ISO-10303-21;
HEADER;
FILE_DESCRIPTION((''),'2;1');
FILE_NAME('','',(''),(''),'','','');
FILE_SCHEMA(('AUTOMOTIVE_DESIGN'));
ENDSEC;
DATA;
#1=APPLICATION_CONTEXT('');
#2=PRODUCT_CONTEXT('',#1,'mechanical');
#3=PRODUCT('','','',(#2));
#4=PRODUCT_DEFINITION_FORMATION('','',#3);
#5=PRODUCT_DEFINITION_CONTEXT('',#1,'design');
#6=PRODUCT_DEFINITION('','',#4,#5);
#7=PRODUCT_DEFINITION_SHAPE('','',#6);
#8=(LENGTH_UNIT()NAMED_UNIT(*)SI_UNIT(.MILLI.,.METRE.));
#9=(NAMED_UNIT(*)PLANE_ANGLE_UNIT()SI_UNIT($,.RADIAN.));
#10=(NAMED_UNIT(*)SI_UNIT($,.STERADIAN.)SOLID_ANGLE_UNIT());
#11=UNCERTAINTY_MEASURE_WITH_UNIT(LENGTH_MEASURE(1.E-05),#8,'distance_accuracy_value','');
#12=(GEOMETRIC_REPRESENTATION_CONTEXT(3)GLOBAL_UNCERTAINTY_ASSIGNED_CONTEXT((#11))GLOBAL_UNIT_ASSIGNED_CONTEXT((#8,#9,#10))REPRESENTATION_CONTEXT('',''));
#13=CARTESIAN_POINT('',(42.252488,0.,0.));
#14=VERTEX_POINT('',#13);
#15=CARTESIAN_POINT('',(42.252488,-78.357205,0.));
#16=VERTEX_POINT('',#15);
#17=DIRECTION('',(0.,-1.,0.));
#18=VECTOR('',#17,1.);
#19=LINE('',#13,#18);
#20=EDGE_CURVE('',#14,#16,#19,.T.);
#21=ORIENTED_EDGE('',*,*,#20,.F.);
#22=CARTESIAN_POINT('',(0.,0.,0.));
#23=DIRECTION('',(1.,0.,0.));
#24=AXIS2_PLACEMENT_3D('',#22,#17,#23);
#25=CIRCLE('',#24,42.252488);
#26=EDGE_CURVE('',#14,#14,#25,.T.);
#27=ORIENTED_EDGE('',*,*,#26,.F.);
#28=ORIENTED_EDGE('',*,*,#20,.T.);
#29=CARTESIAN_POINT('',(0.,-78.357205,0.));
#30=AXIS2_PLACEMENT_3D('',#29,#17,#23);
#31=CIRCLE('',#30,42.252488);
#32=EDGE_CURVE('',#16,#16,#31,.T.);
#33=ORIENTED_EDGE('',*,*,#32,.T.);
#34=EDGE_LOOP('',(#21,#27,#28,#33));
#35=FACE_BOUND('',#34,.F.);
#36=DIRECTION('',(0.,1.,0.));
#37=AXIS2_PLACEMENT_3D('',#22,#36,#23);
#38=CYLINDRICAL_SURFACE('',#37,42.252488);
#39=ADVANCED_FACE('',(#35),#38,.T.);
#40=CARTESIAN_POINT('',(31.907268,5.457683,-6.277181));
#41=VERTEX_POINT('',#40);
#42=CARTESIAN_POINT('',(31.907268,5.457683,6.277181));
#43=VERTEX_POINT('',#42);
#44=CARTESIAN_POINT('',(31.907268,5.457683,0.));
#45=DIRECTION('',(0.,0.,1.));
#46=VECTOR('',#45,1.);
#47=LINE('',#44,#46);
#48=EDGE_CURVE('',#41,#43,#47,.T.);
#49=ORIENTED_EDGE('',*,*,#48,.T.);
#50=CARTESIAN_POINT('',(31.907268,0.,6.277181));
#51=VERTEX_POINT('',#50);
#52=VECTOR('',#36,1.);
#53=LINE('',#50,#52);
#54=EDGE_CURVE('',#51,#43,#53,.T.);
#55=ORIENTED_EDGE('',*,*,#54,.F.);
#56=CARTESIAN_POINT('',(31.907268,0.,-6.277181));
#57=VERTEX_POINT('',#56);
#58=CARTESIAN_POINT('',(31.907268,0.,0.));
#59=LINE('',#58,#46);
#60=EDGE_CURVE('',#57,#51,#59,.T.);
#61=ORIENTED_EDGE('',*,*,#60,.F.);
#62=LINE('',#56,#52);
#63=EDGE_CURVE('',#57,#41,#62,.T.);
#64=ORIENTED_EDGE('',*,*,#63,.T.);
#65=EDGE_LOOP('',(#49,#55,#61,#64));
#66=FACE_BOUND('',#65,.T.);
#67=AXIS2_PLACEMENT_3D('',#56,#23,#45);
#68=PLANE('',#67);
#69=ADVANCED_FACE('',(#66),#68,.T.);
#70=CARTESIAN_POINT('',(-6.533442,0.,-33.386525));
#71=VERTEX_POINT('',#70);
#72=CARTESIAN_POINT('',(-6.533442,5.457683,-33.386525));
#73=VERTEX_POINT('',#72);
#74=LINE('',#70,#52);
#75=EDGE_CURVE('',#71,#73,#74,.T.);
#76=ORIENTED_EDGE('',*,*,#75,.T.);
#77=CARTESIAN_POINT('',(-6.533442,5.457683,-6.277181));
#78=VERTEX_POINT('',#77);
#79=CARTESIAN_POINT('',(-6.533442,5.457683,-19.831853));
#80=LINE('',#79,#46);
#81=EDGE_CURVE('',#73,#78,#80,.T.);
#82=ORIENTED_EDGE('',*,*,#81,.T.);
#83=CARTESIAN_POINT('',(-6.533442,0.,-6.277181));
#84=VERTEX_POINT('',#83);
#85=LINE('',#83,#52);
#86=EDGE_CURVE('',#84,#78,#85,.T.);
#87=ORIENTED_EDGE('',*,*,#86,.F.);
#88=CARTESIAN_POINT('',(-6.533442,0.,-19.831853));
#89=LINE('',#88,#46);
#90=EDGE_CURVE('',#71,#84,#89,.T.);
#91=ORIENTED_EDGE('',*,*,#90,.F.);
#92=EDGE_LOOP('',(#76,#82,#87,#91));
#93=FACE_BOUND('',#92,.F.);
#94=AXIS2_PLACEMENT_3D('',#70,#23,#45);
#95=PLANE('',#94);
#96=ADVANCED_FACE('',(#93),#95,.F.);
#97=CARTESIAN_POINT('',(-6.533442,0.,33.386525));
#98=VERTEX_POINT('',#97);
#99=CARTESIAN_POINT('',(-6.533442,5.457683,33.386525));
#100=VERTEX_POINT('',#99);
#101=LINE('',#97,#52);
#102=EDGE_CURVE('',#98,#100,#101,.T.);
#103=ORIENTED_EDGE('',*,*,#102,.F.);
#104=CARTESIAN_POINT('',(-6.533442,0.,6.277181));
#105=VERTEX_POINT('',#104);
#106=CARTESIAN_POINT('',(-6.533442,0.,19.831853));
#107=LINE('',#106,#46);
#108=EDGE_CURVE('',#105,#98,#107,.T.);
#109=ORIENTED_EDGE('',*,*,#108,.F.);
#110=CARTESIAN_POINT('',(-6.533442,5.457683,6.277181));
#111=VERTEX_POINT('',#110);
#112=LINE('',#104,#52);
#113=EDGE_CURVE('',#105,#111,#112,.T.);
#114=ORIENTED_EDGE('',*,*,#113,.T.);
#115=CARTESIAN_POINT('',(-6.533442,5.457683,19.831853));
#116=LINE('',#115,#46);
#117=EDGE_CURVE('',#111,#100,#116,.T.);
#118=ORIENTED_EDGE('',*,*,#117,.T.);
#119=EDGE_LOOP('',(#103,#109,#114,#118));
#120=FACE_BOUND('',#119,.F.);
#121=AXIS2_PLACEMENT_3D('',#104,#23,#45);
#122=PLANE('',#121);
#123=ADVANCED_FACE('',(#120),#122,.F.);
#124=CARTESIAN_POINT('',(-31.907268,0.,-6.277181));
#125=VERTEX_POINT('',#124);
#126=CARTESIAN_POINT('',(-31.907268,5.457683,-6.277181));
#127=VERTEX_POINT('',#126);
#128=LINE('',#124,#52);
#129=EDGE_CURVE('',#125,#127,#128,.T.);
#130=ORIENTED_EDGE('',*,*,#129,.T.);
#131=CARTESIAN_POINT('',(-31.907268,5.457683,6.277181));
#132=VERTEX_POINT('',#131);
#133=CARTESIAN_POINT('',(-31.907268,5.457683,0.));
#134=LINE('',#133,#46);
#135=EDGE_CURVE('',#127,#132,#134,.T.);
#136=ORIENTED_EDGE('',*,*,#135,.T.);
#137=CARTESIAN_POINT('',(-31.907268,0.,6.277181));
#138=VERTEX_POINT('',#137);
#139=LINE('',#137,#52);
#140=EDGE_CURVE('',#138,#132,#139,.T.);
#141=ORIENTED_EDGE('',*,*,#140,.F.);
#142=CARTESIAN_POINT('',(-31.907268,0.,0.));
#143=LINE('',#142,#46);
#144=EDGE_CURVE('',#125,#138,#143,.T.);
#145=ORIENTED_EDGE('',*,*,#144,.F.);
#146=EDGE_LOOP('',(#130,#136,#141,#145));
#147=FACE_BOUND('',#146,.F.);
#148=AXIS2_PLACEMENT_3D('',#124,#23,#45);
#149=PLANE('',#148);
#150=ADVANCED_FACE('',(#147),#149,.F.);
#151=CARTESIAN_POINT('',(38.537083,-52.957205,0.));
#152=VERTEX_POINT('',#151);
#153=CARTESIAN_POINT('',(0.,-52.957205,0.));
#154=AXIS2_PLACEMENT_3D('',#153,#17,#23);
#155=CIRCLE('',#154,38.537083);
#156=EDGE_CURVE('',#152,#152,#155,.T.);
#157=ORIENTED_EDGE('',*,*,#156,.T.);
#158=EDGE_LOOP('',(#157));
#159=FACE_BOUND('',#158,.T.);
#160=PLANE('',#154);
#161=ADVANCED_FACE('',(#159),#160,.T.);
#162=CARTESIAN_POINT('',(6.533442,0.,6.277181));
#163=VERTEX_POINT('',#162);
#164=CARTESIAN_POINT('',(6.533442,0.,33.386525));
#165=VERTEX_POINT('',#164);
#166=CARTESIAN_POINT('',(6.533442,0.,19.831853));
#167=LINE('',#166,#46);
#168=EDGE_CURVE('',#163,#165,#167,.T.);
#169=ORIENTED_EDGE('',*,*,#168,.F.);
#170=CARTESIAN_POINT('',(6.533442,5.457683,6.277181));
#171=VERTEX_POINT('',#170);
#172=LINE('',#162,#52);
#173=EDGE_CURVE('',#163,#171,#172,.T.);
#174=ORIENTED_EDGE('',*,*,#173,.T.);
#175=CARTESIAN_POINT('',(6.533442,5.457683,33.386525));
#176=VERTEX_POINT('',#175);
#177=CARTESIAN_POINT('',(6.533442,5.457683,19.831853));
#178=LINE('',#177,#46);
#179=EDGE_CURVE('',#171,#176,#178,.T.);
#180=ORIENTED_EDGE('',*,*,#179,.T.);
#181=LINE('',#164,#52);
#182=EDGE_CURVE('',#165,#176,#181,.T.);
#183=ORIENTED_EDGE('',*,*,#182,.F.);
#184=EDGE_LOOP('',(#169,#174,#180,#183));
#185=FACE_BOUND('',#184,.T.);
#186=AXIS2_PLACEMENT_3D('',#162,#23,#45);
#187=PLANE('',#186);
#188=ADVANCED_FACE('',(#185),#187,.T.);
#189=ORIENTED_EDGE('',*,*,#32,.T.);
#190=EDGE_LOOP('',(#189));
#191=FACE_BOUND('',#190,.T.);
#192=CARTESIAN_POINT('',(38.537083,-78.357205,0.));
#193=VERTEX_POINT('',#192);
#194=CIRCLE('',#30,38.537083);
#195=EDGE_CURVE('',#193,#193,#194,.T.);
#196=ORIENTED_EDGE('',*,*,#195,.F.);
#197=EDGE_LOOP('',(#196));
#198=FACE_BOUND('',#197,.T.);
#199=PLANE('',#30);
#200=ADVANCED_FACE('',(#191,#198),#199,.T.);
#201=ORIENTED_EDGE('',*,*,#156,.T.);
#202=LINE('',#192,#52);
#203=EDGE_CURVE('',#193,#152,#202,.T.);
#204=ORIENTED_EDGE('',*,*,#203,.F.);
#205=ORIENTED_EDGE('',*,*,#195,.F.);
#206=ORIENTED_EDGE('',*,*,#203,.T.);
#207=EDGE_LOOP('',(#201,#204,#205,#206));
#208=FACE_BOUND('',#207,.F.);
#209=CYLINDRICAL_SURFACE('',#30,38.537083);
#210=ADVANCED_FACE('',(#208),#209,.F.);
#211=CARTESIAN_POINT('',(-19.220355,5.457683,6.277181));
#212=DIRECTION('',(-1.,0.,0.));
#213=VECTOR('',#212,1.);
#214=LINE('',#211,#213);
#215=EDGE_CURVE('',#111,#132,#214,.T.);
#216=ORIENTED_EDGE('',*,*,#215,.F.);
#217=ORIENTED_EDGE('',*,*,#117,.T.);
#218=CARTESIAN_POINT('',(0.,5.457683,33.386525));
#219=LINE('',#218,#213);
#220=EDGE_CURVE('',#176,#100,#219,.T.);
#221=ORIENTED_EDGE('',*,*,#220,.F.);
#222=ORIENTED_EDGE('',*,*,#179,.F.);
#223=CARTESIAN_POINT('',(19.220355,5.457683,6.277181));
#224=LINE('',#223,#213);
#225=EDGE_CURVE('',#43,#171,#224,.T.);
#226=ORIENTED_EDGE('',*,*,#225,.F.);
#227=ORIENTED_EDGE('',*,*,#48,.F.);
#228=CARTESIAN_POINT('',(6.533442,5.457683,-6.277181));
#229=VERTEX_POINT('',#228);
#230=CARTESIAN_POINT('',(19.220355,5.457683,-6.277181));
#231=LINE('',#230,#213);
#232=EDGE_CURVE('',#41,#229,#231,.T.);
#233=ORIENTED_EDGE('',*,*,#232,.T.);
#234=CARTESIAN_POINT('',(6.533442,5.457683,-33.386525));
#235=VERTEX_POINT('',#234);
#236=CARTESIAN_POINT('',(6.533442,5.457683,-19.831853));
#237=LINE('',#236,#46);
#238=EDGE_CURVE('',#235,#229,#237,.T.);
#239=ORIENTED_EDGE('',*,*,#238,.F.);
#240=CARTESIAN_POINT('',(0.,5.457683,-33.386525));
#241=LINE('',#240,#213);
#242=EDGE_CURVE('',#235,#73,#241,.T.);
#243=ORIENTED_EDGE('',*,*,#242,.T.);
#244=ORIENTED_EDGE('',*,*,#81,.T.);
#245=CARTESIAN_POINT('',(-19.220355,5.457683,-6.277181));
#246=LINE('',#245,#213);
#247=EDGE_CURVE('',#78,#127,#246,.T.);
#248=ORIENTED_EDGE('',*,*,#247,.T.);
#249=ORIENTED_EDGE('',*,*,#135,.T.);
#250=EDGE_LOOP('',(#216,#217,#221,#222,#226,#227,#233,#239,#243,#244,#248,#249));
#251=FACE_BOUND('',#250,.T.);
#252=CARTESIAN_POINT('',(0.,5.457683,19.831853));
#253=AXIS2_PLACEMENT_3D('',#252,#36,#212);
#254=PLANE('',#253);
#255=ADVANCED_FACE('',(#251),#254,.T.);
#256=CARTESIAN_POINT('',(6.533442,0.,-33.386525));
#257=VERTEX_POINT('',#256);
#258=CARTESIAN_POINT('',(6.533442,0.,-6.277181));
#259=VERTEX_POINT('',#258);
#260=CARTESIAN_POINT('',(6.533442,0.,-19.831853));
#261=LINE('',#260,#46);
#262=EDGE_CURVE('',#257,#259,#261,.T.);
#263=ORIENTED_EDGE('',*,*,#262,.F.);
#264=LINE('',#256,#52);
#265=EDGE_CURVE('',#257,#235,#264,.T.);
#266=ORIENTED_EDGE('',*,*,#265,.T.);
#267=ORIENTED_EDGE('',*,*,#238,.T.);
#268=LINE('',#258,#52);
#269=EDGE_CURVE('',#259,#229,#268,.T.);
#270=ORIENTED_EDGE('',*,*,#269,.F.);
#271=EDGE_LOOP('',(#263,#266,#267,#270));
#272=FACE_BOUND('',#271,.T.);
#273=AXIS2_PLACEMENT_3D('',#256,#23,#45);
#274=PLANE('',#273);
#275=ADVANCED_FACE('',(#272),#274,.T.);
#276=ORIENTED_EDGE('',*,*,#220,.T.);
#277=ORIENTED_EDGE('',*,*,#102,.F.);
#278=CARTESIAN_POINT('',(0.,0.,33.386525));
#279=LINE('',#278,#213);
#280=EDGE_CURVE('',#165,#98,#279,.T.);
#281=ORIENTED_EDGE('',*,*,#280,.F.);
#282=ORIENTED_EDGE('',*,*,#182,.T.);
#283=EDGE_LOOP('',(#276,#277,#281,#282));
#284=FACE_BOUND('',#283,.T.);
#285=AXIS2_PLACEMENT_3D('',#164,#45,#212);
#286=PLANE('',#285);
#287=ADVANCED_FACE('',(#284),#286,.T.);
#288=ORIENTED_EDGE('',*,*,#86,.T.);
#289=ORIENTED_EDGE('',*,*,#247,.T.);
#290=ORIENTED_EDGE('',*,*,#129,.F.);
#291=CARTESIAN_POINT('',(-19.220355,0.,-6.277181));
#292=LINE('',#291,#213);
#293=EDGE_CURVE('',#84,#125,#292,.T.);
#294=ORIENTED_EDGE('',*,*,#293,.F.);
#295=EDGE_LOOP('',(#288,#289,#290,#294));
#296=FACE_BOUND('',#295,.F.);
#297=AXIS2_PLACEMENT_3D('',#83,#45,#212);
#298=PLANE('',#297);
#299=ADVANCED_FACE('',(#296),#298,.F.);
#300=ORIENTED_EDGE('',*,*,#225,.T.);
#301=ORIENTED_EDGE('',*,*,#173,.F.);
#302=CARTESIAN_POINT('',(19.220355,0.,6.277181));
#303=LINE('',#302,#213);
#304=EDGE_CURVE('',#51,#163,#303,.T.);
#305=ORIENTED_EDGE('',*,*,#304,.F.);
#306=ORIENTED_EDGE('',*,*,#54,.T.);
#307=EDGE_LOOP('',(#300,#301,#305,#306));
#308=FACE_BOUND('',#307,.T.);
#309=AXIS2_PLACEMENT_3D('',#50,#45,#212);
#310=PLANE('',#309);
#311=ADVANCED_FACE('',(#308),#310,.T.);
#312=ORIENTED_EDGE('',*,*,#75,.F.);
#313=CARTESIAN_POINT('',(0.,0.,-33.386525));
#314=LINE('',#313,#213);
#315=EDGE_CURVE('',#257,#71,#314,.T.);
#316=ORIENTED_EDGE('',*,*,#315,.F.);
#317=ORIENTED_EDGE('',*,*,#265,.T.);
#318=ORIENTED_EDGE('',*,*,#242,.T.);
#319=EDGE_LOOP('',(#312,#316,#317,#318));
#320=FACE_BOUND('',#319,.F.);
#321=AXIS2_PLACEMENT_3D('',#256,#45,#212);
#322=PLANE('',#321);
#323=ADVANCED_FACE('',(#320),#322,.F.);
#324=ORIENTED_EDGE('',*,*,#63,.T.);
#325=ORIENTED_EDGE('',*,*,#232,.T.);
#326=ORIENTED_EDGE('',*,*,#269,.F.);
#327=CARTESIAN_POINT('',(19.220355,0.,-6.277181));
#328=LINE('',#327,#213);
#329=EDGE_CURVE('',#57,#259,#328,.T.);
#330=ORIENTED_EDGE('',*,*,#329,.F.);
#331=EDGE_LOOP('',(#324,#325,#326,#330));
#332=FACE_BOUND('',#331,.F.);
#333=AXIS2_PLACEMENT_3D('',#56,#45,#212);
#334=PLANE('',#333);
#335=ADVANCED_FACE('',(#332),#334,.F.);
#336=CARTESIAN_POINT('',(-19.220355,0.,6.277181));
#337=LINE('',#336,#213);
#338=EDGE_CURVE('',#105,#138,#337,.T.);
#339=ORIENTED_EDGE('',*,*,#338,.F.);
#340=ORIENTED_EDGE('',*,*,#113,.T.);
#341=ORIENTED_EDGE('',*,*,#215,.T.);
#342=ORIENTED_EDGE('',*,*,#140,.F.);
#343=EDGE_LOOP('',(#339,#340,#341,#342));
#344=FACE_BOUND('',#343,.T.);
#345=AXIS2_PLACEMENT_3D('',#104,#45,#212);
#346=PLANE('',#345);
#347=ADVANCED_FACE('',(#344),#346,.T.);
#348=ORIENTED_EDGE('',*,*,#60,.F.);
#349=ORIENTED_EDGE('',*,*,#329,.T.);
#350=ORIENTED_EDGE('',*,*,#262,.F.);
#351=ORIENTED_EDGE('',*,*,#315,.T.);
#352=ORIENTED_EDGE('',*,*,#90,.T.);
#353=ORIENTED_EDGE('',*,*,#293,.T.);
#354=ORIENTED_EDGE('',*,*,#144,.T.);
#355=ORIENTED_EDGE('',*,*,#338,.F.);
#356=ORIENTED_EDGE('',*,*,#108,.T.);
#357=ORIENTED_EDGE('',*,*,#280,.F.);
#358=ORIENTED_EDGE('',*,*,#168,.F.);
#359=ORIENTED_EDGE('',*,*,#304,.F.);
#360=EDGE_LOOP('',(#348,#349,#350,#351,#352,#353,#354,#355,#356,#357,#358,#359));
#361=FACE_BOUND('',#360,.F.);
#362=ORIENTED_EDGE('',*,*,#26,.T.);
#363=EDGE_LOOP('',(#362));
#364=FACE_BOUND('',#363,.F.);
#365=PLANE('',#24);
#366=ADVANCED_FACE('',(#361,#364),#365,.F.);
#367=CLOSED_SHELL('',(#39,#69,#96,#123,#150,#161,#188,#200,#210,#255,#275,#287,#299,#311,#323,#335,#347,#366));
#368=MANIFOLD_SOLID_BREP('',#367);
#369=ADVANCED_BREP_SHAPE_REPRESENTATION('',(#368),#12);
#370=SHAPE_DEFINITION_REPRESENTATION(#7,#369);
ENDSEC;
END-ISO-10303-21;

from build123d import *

# Parameters (mm, degrees)
F1_DEPTH = 78.3572047949
F2_R     = 38.5370833617
F3_DEPTH = 25.4
F5_W     = 13.0668841302
F5_H     = 27.1093435585
F5_W_2   = 25.3738258034
F5_H_2   = 12.5543624163
F6_DEPTH = 5.4576825351


with BuildPart() as f1:
    # F0 (on Front) → F1 (new body)
    with BuildSketch(Plane.XZ):
        with BuildLine():
            ThreePointArc((0, 42.2524884343), (-29.8770210939, -29.8770210939), (42.2524884343, 0))
            ThreePointArc((42.2524884343, 0), (29.8770210939, 29.8770210939), (0, 42.2524884343))
        make_face()
    extrude(amount=F1_DEPTH)

    # F2 (on face) → F3 (cut)
    with BuildSketch(Plane.XZ.offset(78.3572047949)):
        Circle(F2_R)
    extrude(amount=-F3_DEPTH, mode=Mode.SUBTRACT)

    # F5 (on face) → F6 (join)
    with BuildSketch(Plane(origin=(0, 0, 0), x_dir=(-1, 0, 0), z_dir=(0, 1, 0))):
        with Locations((0, 19.8318529874)):
            Rectangle(F5_W, F5_H)
        with Locations((19.2203549668, 0)):
            Rectangle(F5_W_2, F5_H_2)
        with Locations((0, -19.8318529874)):
            Rectangle(F5_W, F5_H)
        with Locations((-19.2203549668, 0)):
            Rectangle(F5_W_2, F5_H_2)
        Rectangle(F5_W, F5_H_2)
    extrude(amount=F6_DEPTH)


solid = f1.part
